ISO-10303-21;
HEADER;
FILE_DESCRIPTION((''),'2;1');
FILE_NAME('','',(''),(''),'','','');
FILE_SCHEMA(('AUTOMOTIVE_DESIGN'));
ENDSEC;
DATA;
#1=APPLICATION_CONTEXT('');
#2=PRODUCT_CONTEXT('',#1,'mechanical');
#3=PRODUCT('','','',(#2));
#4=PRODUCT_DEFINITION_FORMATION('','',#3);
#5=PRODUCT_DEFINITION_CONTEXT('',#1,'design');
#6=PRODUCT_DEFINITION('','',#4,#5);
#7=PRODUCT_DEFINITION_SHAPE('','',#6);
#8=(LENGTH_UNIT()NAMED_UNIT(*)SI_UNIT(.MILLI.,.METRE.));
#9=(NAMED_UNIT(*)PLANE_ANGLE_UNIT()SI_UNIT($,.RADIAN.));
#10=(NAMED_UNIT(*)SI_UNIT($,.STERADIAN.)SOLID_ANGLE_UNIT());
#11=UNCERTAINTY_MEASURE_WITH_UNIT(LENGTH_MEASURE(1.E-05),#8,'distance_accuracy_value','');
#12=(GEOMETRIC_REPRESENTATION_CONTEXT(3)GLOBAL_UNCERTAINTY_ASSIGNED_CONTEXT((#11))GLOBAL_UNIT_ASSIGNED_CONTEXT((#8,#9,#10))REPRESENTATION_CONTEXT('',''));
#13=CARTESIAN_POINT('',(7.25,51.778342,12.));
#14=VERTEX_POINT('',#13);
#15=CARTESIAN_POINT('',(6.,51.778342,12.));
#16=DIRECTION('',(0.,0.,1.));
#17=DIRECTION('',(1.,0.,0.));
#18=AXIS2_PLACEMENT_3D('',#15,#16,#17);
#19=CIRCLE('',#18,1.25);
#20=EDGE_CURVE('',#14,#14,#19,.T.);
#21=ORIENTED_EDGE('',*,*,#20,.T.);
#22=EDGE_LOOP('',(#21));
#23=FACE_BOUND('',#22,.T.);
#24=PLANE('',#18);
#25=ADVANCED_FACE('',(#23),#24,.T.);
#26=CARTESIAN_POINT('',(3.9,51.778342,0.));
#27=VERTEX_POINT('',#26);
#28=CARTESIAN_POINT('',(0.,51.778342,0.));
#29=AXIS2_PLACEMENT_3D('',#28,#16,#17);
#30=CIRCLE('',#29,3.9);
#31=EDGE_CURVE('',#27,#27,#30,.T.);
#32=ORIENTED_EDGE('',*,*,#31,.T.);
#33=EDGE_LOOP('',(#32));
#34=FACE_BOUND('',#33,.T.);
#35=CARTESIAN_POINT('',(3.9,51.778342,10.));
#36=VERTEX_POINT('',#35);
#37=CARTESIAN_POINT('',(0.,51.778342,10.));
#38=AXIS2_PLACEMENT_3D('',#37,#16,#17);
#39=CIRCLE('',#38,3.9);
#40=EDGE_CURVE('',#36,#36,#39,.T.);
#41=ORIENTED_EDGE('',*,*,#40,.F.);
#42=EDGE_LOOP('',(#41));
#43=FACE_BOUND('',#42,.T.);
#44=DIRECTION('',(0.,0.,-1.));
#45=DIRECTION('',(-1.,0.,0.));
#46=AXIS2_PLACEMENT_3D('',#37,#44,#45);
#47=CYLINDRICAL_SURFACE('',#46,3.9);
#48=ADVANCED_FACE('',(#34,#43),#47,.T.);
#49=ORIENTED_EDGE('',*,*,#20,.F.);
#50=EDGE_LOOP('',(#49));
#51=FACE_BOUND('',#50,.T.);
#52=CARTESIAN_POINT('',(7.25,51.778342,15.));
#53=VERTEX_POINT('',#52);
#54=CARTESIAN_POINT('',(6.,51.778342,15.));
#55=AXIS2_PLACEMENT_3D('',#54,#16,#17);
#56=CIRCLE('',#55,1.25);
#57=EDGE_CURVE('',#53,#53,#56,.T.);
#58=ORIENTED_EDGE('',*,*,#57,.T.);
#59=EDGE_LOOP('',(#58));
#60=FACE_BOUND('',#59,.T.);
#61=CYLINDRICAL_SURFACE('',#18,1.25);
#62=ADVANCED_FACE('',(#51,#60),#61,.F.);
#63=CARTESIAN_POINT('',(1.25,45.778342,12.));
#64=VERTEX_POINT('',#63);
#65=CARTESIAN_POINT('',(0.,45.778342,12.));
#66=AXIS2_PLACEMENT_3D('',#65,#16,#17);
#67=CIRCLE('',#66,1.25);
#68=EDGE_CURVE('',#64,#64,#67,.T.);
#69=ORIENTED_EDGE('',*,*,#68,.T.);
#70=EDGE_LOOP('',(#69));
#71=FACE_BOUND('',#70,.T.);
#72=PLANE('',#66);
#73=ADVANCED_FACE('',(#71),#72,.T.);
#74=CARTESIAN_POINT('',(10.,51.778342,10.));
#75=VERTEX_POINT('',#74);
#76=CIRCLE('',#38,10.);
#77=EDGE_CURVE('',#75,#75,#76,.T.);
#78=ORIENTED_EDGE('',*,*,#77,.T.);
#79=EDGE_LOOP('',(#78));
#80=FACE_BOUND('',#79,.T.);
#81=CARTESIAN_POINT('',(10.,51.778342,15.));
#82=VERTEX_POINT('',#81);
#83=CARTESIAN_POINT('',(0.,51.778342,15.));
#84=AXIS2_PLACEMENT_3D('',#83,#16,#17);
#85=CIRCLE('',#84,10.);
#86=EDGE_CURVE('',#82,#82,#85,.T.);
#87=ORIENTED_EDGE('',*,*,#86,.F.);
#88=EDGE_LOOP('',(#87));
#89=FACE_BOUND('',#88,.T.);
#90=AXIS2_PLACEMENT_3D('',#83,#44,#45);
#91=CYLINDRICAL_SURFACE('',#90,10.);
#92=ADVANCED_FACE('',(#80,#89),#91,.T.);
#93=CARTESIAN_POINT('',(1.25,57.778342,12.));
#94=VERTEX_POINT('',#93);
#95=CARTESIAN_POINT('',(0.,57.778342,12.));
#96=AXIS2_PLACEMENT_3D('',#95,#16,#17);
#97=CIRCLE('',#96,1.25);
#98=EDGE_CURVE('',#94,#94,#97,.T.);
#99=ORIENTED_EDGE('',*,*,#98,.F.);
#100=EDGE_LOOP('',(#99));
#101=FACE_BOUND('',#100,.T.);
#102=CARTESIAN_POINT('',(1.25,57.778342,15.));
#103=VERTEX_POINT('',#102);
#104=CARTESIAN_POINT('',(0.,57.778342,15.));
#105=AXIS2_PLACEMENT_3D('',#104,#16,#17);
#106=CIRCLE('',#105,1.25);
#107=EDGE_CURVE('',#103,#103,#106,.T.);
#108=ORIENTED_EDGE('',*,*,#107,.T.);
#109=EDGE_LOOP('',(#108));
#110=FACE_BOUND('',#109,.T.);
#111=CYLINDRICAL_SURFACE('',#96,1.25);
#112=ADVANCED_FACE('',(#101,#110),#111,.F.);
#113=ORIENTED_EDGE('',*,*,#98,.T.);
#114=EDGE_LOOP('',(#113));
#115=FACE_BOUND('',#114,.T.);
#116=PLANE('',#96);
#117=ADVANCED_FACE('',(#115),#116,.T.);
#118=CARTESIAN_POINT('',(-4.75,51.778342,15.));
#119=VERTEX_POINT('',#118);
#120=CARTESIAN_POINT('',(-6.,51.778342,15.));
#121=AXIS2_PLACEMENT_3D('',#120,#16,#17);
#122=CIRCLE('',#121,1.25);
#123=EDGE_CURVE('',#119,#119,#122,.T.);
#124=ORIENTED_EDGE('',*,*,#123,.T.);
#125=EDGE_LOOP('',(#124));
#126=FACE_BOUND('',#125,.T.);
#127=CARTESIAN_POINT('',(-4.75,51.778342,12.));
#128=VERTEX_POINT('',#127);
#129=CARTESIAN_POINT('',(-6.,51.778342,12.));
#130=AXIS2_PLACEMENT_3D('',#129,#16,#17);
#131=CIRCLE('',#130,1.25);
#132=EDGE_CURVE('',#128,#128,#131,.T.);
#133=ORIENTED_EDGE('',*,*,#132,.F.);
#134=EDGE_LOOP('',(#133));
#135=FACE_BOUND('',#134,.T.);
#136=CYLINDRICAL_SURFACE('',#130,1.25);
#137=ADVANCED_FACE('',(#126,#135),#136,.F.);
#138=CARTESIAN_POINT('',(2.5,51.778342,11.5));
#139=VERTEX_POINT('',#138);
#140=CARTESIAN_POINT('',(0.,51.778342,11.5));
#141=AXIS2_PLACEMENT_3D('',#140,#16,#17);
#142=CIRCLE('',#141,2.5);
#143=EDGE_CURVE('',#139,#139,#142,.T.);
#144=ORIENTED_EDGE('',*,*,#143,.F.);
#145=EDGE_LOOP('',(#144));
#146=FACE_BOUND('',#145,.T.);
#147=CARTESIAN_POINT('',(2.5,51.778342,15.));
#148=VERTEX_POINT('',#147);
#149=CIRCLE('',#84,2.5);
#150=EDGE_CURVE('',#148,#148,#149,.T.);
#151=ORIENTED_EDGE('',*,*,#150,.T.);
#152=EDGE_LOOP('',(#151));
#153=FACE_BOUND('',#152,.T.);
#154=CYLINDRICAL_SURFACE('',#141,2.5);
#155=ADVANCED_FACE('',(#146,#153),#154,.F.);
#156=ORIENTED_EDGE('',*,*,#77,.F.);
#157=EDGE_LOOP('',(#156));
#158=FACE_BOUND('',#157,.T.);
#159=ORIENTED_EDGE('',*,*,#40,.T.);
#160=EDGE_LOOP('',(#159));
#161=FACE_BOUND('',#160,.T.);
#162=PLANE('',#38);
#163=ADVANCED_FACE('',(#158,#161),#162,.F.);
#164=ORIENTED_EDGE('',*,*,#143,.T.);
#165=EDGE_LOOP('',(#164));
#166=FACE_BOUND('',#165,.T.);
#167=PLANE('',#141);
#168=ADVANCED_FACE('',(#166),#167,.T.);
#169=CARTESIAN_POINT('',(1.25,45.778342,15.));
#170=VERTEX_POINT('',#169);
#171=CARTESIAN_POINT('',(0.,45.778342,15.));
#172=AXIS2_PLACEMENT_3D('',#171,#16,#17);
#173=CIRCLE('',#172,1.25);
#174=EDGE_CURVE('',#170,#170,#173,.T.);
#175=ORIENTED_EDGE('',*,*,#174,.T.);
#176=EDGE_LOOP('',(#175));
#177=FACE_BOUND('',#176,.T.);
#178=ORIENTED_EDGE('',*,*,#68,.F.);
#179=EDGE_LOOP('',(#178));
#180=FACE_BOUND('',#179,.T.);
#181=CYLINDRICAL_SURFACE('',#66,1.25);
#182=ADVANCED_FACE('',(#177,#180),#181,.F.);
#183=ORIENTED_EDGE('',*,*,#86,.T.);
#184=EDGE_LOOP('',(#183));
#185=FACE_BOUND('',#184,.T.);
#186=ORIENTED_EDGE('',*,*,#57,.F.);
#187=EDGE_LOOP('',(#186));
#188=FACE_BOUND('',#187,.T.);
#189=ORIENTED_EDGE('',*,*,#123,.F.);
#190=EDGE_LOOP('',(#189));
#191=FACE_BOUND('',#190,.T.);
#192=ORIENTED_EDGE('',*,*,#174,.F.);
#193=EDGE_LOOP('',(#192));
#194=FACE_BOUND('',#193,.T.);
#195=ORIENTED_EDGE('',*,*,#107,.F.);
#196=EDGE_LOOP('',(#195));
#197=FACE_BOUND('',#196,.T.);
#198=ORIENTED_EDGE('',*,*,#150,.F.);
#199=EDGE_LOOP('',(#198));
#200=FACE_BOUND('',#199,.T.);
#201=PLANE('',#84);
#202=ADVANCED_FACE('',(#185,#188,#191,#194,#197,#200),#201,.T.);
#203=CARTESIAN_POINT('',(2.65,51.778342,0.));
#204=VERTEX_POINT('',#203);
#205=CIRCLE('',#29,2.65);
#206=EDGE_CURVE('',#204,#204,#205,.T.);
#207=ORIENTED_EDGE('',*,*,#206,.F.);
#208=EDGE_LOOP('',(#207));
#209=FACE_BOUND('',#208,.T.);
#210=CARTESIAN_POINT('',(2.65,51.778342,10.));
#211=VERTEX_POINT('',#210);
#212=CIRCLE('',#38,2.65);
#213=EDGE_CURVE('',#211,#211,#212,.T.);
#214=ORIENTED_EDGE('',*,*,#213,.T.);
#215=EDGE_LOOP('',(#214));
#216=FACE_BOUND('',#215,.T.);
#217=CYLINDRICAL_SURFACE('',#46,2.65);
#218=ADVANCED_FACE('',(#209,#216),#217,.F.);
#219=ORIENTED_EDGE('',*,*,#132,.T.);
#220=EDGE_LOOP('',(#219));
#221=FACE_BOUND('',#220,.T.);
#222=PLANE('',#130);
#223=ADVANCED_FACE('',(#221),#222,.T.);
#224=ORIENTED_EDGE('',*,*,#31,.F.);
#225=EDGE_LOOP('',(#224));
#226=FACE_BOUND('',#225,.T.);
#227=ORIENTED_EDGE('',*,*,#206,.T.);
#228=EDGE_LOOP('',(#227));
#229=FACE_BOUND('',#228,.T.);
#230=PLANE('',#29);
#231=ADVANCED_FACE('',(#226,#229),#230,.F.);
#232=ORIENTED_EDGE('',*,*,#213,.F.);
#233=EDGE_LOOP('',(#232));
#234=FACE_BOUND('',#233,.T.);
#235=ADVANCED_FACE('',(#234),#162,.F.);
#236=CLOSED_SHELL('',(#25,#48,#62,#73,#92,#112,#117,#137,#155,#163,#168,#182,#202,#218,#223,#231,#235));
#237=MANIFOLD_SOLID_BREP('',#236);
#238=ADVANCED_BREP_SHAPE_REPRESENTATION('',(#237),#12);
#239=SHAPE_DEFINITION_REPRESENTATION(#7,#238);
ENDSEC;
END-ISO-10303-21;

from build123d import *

# Parameters (mm, degrees)
SKETCH_1_R          = 3.9
SKETCH_1_R_2        = 2.65
EXTRUDE_1_DEPTH     = 10
SKETCH_3_R          = 10
EXTRUDE_2_DEPTH     = 5
SKETCH_5_R          = 1.25
CUT_EXTRUDE_1_DEPTH = 3
SKETCH_7_R          = 2.5
CUT_EXTRUDE_2_DEPTH = 3.5


with BuildPart() as part:
    # 草图1 → 凸台-拉伸1 (new body)
    with BuildSketch(Plane.XY):
        with Locations((0, 51.778341992)):
            Circle(SKETCH_1_R)
        with Locations((0, 51.778341992)):
            Circle(SKETCH_1_R_2, mode=Mode.SUBTRACT)
    extrude(amount=EXTRUDE_1_DEPTH)

    # 草图3 → 凸台-拉伸2 (add)
    with BuildSketch(Plane.XY.offset(10)):
        with Locations((0, 51.778341992)):
            Circle(SKETCH_3_R)
    extrude(amount=EXTRUDE_2_DEPTH)

    # 草图5 → 切除-拉伸1 (cut)
    with BuildSketch(Plane.XY.offset(15)):
        with Locations((6, 51.778341992)):
            Circle(SKETCH_5_R)
        with Locations((0, 57.778341992)):
            Circle(SKETCH_5_R)
        with Locations((0, 45.778341992)):
            Circle(SKETCH_5_R)
        with Locations((-6, 51.778341992)):
            Circle(SKETCH_5_R)
    extrude(amount=-CUT_EXTRUDE_1_DEPTH, mode=Mode.SUBTRACT)

    # 草图7 → 切除-拉伸2 (cut)
    with BuildSketch(Plane.XY.offset(15)):
        with Locations((0, 51.778341992)):
            Circle(SKETCH_7_R)
    extrude(amount=-CUT_EXTRUDE_2_DEPTH, mode=Mode.SUBTRACT)


solid = part.part
